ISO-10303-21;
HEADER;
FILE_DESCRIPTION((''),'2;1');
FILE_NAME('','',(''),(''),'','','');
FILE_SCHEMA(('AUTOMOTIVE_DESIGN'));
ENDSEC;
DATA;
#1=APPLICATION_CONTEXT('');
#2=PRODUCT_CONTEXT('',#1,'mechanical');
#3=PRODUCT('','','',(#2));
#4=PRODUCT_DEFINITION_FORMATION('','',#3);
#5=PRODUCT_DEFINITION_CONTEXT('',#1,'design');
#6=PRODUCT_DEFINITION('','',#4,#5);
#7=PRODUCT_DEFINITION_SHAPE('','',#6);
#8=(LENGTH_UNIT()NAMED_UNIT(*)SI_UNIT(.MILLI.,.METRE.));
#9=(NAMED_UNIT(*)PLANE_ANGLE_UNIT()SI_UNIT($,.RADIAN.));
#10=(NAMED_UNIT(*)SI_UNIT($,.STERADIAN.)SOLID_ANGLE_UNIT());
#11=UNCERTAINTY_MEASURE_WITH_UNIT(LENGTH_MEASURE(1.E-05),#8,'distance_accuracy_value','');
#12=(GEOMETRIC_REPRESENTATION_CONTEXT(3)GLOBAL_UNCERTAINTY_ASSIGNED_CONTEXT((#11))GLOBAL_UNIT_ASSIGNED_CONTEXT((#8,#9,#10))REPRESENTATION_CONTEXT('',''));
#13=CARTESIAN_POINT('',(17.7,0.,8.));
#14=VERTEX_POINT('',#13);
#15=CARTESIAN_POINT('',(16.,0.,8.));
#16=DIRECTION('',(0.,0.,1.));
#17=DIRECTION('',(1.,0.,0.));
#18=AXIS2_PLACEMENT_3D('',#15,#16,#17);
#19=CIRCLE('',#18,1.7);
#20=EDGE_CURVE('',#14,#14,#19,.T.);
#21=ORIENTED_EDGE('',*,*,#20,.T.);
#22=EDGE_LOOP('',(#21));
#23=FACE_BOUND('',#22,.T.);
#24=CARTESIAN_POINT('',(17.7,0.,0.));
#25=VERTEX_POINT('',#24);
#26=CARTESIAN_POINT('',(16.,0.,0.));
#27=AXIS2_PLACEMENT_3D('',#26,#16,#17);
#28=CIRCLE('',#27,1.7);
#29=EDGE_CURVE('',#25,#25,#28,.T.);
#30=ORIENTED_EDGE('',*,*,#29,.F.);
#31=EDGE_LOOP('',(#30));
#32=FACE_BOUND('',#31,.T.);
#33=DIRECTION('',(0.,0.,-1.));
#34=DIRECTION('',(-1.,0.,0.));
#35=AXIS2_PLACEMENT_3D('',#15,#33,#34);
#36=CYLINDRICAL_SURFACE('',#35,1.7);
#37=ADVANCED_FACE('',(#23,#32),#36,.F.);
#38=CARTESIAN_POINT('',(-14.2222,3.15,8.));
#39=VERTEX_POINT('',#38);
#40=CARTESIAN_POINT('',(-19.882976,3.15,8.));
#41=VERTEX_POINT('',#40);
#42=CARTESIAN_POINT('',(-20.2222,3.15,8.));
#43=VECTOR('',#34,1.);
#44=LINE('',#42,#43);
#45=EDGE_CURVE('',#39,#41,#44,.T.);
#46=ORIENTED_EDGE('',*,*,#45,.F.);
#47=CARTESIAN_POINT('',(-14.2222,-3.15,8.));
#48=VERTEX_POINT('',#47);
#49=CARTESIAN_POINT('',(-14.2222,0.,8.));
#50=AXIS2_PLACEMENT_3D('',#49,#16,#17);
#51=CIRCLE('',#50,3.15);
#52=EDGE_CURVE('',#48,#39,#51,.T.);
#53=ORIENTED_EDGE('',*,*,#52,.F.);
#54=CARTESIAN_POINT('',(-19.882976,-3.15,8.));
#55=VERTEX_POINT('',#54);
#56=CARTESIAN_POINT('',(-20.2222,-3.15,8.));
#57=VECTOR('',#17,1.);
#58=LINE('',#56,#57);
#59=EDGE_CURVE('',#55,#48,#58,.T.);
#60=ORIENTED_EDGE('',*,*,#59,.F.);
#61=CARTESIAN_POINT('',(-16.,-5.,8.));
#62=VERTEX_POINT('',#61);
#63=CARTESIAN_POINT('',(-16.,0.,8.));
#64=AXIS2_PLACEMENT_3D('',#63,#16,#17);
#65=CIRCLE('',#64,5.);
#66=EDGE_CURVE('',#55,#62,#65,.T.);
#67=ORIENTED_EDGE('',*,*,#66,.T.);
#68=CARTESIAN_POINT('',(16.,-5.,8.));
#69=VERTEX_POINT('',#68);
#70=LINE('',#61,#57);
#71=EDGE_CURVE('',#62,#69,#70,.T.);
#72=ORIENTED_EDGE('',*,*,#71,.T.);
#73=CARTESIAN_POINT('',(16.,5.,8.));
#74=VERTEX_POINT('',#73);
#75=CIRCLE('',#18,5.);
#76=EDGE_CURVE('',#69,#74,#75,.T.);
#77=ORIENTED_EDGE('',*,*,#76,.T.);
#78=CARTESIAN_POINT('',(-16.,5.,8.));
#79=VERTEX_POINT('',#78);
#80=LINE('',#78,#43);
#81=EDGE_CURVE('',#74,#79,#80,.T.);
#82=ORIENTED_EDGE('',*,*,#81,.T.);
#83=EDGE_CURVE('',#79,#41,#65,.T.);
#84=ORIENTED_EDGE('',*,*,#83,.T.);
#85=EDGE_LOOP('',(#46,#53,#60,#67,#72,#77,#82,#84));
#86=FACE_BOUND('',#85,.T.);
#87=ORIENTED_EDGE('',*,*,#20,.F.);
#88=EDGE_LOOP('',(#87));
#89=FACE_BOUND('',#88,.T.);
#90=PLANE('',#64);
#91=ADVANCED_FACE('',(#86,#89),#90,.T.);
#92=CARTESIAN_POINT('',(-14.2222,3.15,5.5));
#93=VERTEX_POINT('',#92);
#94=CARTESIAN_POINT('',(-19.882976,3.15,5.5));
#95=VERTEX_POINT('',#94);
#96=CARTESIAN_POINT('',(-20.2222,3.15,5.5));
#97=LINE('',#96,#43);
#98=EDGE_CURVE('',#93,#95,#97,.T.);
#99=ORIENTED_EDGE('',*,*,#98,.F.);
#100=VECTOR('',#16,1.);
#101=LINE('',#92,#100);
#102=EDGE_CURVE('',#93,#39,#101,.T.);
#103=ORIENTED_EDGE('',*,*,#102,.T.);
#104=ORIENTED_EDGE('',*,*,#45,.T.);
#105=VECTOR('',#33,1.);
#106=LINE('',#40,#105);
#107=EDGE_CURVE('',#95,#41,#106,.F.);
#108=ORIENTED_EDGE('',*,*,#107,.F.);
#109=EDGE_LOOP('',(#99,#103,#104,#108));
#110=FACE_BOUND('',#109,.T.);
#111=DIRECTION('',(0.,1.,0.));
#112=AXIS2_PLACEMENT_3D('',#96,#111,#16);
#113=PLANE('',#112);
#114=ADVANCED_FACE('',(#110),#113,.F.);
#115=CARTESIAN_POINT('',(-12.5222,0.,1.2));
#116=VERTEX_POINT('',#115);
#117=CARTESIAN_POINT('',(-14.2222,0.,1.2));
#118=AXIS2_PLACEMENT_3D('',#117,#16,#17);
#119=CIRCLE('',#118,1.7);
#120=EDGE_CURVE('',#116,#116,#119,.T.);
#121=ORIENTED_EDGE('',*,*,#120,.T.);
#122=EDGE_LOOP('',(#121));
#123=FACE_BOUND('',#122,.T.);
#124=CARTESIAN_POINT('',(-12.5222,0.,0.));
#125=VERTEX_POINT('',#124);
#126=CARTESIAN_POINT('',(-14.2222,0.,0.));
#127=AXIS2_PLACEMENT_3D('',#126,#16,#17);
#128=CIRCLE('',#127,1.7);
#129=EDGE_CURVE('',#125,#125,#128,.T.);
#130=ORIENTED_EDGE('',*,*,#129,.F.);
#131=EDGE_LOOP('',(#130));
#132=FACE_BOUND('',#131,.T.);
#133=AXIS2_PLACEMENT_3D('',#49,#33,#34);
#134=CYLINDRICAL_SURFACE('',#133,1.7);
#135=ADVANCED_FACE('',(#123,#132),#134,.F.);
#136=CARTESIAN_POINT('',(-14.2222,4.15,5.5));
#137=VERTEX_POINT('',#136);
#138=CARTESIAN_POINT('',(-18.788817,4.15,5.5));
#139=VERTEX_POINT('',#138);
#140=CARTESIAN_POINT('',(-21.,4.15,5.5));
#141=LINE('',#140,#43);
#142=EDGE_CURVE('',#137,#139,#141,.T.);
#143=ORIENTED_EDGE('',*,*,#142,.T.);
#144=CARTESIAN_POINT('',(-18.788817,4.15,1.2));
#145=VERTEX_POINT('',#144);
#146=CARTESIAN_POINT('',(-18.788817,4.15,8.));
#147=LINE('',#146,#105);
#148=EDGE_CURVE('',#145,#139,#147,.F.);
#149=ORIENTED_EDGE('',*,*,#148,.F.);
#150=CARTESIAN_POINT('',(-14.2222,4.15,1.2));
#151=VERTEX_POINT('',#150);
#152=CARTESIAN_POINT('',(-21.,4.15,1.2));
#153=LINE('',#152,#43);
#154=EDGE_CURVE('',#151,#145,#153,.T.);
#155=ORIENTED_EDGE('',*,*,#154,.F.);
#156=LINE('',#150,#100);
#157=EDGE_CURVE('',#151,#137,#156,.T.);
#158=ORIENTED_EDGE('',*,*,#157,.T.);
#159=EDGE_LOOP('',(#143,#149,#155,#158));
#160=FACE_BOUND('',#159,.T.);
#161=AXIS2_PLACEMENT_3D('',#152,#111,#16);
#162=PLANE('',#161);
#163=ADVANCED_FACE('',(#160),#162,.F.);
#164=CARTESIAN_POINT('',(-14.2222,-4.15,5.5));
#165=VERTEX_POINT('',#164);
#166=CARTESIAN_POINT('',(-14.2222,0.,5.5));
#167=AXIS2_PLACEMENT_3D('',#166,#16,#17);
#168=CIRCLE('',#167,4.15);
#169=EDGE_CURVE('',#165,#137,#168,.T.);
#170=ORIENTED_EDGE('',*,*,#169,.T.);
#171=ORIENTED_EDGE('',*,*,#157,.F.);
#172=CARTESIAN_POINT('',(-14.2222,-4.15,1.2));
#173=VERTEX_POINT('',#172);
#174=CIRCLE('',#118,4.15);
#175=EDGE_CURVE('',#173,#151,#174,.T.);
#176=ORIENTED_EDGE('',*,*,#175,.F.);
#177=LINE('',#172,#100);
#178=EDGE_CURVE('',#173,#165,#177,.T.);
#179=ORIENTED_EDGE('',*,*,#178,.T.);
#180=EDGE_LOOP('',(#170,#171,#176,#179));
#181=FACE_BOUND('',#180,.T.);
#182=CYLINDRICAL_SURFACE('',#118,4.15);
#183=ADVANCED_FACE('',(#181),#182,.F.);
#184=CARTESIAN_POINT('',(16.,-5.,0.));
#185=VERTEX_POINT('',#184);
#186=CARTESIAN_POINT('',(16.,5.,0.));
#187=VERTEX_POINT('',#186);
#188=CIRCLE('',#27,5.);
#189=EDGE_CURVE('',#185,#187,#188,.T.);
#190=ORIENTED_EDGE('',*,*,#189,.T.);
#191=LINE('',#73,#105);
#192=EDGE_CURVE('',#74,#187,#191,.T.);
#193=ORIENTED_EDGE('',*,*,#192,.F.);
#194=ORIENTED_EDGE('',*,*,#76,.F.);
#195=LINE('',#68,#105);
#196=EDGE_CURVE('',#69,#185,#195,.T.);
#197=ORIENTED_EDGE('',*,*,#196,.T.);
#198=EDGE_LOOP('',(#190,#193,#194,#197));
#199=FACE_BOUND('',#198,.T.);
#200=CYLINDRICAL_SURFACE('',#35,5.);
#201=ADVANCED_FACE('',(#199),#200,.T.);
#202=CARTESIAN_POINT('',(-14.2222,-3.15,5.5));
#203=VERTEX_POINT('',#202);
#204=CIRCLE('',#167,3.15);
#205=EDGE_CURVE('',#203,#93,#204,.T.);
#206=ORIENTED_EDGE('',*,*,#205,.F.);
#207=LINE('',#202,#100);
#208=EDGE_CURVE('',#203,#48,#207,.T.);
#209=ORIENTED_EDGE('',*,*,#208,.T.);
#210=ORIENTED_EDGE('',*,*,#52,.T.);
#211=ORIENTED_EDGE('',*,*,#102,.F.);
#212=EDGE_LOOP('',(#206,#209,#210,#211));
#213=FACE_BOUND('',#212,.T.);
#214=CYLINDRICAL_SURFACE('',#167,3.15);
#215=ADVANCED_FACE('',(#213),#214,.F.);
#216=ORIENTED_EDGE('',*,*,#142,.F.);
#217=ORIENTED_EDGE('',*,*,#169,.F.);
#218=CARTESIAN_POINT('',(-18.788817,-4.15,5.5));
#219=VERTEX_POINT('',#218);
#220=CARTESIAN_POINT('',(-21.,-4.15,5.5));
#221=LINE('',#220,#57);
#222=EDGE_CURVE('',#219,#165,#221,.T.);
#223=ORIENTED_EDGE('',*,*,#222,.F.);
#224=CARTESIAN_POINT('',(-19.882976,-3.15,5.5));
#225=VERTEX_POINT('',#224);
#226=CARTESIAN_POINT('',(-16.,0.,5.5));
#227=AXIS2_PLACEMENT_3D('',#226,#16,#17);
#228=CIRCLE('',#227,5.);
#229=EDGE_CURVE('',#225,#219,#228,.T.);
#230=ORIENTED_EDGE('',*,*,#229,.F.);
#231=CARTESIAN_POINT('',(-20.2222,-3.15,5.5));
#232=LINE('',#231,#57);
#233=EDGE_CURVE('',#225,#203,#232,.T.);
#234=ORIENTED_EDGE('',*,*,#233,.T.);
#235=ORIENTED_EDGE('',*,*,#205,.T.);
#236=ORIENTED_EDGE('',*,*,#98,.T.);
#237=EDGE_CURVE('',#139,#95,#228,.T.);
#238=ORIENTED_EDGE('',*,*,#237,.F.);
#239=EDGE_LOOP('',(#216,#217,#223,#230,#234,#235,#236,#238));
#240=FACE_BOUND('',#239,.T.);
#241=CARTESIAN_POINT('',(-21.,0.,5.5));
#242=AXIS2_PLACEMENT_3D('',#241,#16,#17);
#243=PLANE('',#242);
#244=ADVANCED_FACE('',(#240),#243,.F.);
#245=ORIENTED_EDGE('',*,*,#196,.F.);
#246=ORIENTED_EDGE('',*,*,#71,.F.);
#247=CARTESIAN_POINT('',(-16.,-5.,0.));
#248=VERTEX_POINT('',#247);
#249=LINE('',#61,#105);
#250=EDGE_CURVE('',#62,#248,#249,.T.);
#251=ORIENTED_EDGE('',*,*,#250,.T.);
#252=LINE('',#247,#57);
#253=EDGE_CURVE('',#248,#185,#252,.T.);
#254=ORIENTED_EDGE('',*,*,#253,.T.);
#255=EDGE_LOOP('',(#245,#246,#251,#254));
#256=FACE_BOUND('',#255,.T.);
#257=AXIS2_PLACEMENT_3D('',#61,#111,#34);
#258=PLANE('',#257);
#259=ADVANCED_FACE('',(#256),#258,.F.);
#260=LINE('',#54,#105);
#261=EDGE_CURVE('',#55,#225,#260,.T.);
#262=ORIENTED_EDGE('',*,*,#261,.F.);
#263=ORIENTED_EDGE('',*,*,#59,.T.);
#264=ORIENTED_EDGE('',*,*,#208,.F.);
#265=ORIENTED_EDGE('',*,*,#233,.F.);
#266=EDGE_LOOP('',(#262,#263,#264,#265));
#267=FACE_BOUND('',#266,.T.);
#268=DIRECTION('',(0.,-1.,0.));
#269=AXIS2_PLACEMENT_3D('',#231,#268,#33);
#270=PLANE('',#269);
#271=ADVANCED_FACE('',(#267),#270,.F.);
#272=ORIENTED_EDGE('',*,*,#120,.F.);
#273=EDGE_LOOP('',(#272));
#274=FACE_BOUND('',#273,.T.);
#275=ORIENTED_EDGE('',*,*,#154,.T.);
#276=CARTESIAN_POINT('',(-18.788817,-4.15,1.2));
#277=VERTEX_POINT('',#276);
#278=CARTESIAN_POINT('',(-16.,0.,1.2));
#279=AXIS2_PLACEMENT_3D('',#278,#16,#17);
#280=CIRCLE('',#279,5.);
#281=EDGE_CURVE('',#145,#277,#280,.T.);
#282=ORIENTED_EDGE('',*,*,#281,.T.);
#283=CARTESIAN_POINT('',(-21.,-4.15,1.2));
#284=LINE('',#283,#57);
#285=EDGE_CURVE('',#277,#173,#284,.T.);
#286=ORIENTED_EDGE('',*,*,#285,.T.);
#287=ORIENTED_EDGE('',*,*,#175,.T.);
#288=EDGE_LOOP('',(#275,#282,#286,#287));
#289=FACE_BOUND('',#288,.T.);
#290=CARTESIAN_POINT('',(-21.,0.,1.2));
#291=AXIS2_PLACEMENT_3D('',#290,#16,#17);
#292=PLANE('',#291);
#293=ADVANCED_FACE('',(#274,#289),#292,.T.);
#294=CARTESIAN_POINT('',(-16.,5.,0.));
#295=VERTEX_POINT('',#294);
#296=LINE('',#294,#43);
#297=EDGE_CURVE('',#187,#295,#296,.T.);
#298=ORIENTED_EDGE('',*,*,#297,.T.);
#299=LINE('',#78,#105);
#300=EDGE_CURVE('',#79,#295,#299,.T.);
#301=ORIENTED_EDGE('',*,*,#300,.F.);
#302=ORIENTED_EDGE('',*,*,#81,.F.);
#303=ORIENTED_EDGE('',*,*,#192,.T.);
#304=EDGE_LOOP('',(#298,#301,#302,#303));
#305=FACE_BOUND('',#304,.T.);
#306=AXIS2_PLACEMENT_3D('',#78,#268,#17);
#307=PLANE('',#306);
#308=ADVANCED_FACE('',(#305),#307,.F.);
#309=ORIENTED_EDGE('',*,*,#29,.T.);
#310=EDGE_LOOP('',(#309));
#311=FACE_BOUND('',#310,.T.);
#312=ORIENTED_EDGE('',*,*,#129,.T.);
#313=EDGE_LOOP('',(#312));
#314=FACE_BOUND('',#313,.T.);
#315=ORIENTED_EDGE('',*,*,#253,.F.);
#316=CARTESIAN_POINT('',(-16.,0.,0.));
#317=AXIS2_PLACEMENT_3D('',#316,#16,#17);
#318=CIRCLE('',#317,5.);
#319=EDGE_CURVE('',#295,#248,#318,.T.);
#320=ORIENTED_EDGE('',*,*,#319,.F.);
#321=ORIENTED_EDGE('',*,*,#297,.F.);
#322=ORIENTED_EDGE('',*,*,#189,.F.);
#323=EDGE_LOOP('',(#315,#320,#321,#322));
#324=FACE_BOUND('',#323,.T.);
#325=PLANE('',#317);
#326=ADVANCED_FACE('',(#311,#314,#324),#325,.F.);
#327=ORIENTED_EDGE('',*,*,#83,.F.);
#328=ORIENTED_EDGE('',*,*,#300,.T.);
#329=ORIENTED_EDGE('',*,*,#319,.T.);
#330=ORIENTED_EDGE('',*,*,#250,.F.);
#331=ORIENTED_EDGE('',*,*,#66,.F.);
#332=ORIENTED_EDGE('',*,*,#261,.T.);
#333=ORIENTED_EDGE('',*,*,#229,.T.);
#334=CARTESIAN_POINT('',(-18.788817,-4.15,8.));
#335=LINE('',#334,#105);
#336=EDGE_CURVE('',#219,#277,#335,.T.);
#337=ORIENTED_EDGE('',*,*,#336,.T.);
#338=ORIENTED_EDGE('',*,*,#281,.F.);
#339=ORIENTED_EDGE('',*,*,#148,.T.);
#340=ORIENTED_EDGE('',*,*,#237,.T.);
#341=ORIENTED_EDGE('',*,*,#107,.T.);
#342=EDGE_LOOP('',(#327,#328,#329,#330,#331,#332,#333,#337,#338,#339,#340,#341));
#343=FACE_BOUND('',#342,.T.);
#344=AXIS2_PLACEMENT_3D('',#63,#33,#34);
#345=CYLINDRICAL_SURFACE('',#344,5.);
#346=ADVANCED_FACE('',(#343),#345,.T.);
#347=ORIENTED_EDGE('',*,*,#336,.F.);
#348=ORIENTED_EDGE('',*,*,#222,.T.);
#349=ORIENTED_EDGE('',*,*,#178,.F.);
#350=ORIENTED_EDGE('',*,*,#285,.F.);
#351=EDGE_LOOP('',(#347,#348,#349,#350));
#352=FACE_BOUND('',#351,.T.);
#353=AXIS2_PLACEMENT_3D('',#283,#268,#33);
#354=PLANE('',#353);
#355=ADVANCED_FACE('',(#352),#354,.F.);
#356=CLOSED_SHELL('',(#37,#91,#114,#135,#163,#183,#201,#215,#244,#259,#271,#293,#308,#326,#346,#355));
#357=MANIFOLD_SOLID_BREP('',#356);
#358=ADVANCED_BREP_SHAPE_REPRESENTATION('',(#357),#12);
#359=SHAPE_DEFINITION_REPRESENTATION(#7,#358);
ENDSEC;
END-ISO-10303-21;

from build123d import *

# Parameters (mm, degrees)
SKETCH1_R           = 1.7
BOSS_EXTRUDE1_DEPTH = 8
CUT_EXTRUDE1_DEPTH  = 2.5
CUT_EXTRUDE2_DEPTH  = 4.3


with BuildPart() as part:
    # Sketch1 → Boss-Extrude1 (new body)
    with BuildSketch(Plane.XY):
        with BuildLine():
            Line((-16, 5), (16, 5))
            ThreePointArc((16, 5), (21, 0), (16, -5))
            Line((16, -5), (-16, -5))
            ThreePointArc((-16, -5), (-21, 0), (-16, 5))
        make_face()
        with Locations((-14.2222, 0)):
            Circle(SKETCH1_R, mode=Mode.SUBTRACT)
        with Locations((16, 0)):
            Circle(SKETCH1_R, mode=Mode.SUBTRACT)
    extrude(amount=BOSS_EXTRUDE1_DEPTH)

    # Sketch3 → Cut-Extrude1 (cut)
    with BuildSketch(Plane.XY.offset(8)):
        with BuildLine():
            Line((-20.2222, 3.15), (-14.2222, 3.15))
            ThreePointArc((-14.2222, 3.15), (-11.0722, 0), (-14.2222, -3.15))
            Line((-14.2222, -3.15), (-20.2222, -3.15))
            ThreePointArc((-20.2222, -3.15), (-23.3722, 0), (-20.2222, 3.15))
        make_face()
    extrude(amount=-CUT_EXTRUDE1_DEPTH, mode=Mode.SUBTRACT)

    # Sketch4 → Cut-Extrude2 (cut)
    with BuildSketch(Plane.XY.offset(5.5)):
        with BuildLine():
            Line((-21, 4.15), (-14.2222, 4.15))
            ThreePointArc((-14.2222, 4.15), (-10.0722, 0), (-14.2222, -4.15))
            Line((-14.2222, -4.15), (-21, -4.15))
            ThreePointArc((-21, -4.15), (-25.15, 0), (-21, 4.15))
        make_face()
    extrude(amount=-CUT_EXTRUDE2_DEPTH, mode=Mode.SUBTRACT)


solid = part.part
